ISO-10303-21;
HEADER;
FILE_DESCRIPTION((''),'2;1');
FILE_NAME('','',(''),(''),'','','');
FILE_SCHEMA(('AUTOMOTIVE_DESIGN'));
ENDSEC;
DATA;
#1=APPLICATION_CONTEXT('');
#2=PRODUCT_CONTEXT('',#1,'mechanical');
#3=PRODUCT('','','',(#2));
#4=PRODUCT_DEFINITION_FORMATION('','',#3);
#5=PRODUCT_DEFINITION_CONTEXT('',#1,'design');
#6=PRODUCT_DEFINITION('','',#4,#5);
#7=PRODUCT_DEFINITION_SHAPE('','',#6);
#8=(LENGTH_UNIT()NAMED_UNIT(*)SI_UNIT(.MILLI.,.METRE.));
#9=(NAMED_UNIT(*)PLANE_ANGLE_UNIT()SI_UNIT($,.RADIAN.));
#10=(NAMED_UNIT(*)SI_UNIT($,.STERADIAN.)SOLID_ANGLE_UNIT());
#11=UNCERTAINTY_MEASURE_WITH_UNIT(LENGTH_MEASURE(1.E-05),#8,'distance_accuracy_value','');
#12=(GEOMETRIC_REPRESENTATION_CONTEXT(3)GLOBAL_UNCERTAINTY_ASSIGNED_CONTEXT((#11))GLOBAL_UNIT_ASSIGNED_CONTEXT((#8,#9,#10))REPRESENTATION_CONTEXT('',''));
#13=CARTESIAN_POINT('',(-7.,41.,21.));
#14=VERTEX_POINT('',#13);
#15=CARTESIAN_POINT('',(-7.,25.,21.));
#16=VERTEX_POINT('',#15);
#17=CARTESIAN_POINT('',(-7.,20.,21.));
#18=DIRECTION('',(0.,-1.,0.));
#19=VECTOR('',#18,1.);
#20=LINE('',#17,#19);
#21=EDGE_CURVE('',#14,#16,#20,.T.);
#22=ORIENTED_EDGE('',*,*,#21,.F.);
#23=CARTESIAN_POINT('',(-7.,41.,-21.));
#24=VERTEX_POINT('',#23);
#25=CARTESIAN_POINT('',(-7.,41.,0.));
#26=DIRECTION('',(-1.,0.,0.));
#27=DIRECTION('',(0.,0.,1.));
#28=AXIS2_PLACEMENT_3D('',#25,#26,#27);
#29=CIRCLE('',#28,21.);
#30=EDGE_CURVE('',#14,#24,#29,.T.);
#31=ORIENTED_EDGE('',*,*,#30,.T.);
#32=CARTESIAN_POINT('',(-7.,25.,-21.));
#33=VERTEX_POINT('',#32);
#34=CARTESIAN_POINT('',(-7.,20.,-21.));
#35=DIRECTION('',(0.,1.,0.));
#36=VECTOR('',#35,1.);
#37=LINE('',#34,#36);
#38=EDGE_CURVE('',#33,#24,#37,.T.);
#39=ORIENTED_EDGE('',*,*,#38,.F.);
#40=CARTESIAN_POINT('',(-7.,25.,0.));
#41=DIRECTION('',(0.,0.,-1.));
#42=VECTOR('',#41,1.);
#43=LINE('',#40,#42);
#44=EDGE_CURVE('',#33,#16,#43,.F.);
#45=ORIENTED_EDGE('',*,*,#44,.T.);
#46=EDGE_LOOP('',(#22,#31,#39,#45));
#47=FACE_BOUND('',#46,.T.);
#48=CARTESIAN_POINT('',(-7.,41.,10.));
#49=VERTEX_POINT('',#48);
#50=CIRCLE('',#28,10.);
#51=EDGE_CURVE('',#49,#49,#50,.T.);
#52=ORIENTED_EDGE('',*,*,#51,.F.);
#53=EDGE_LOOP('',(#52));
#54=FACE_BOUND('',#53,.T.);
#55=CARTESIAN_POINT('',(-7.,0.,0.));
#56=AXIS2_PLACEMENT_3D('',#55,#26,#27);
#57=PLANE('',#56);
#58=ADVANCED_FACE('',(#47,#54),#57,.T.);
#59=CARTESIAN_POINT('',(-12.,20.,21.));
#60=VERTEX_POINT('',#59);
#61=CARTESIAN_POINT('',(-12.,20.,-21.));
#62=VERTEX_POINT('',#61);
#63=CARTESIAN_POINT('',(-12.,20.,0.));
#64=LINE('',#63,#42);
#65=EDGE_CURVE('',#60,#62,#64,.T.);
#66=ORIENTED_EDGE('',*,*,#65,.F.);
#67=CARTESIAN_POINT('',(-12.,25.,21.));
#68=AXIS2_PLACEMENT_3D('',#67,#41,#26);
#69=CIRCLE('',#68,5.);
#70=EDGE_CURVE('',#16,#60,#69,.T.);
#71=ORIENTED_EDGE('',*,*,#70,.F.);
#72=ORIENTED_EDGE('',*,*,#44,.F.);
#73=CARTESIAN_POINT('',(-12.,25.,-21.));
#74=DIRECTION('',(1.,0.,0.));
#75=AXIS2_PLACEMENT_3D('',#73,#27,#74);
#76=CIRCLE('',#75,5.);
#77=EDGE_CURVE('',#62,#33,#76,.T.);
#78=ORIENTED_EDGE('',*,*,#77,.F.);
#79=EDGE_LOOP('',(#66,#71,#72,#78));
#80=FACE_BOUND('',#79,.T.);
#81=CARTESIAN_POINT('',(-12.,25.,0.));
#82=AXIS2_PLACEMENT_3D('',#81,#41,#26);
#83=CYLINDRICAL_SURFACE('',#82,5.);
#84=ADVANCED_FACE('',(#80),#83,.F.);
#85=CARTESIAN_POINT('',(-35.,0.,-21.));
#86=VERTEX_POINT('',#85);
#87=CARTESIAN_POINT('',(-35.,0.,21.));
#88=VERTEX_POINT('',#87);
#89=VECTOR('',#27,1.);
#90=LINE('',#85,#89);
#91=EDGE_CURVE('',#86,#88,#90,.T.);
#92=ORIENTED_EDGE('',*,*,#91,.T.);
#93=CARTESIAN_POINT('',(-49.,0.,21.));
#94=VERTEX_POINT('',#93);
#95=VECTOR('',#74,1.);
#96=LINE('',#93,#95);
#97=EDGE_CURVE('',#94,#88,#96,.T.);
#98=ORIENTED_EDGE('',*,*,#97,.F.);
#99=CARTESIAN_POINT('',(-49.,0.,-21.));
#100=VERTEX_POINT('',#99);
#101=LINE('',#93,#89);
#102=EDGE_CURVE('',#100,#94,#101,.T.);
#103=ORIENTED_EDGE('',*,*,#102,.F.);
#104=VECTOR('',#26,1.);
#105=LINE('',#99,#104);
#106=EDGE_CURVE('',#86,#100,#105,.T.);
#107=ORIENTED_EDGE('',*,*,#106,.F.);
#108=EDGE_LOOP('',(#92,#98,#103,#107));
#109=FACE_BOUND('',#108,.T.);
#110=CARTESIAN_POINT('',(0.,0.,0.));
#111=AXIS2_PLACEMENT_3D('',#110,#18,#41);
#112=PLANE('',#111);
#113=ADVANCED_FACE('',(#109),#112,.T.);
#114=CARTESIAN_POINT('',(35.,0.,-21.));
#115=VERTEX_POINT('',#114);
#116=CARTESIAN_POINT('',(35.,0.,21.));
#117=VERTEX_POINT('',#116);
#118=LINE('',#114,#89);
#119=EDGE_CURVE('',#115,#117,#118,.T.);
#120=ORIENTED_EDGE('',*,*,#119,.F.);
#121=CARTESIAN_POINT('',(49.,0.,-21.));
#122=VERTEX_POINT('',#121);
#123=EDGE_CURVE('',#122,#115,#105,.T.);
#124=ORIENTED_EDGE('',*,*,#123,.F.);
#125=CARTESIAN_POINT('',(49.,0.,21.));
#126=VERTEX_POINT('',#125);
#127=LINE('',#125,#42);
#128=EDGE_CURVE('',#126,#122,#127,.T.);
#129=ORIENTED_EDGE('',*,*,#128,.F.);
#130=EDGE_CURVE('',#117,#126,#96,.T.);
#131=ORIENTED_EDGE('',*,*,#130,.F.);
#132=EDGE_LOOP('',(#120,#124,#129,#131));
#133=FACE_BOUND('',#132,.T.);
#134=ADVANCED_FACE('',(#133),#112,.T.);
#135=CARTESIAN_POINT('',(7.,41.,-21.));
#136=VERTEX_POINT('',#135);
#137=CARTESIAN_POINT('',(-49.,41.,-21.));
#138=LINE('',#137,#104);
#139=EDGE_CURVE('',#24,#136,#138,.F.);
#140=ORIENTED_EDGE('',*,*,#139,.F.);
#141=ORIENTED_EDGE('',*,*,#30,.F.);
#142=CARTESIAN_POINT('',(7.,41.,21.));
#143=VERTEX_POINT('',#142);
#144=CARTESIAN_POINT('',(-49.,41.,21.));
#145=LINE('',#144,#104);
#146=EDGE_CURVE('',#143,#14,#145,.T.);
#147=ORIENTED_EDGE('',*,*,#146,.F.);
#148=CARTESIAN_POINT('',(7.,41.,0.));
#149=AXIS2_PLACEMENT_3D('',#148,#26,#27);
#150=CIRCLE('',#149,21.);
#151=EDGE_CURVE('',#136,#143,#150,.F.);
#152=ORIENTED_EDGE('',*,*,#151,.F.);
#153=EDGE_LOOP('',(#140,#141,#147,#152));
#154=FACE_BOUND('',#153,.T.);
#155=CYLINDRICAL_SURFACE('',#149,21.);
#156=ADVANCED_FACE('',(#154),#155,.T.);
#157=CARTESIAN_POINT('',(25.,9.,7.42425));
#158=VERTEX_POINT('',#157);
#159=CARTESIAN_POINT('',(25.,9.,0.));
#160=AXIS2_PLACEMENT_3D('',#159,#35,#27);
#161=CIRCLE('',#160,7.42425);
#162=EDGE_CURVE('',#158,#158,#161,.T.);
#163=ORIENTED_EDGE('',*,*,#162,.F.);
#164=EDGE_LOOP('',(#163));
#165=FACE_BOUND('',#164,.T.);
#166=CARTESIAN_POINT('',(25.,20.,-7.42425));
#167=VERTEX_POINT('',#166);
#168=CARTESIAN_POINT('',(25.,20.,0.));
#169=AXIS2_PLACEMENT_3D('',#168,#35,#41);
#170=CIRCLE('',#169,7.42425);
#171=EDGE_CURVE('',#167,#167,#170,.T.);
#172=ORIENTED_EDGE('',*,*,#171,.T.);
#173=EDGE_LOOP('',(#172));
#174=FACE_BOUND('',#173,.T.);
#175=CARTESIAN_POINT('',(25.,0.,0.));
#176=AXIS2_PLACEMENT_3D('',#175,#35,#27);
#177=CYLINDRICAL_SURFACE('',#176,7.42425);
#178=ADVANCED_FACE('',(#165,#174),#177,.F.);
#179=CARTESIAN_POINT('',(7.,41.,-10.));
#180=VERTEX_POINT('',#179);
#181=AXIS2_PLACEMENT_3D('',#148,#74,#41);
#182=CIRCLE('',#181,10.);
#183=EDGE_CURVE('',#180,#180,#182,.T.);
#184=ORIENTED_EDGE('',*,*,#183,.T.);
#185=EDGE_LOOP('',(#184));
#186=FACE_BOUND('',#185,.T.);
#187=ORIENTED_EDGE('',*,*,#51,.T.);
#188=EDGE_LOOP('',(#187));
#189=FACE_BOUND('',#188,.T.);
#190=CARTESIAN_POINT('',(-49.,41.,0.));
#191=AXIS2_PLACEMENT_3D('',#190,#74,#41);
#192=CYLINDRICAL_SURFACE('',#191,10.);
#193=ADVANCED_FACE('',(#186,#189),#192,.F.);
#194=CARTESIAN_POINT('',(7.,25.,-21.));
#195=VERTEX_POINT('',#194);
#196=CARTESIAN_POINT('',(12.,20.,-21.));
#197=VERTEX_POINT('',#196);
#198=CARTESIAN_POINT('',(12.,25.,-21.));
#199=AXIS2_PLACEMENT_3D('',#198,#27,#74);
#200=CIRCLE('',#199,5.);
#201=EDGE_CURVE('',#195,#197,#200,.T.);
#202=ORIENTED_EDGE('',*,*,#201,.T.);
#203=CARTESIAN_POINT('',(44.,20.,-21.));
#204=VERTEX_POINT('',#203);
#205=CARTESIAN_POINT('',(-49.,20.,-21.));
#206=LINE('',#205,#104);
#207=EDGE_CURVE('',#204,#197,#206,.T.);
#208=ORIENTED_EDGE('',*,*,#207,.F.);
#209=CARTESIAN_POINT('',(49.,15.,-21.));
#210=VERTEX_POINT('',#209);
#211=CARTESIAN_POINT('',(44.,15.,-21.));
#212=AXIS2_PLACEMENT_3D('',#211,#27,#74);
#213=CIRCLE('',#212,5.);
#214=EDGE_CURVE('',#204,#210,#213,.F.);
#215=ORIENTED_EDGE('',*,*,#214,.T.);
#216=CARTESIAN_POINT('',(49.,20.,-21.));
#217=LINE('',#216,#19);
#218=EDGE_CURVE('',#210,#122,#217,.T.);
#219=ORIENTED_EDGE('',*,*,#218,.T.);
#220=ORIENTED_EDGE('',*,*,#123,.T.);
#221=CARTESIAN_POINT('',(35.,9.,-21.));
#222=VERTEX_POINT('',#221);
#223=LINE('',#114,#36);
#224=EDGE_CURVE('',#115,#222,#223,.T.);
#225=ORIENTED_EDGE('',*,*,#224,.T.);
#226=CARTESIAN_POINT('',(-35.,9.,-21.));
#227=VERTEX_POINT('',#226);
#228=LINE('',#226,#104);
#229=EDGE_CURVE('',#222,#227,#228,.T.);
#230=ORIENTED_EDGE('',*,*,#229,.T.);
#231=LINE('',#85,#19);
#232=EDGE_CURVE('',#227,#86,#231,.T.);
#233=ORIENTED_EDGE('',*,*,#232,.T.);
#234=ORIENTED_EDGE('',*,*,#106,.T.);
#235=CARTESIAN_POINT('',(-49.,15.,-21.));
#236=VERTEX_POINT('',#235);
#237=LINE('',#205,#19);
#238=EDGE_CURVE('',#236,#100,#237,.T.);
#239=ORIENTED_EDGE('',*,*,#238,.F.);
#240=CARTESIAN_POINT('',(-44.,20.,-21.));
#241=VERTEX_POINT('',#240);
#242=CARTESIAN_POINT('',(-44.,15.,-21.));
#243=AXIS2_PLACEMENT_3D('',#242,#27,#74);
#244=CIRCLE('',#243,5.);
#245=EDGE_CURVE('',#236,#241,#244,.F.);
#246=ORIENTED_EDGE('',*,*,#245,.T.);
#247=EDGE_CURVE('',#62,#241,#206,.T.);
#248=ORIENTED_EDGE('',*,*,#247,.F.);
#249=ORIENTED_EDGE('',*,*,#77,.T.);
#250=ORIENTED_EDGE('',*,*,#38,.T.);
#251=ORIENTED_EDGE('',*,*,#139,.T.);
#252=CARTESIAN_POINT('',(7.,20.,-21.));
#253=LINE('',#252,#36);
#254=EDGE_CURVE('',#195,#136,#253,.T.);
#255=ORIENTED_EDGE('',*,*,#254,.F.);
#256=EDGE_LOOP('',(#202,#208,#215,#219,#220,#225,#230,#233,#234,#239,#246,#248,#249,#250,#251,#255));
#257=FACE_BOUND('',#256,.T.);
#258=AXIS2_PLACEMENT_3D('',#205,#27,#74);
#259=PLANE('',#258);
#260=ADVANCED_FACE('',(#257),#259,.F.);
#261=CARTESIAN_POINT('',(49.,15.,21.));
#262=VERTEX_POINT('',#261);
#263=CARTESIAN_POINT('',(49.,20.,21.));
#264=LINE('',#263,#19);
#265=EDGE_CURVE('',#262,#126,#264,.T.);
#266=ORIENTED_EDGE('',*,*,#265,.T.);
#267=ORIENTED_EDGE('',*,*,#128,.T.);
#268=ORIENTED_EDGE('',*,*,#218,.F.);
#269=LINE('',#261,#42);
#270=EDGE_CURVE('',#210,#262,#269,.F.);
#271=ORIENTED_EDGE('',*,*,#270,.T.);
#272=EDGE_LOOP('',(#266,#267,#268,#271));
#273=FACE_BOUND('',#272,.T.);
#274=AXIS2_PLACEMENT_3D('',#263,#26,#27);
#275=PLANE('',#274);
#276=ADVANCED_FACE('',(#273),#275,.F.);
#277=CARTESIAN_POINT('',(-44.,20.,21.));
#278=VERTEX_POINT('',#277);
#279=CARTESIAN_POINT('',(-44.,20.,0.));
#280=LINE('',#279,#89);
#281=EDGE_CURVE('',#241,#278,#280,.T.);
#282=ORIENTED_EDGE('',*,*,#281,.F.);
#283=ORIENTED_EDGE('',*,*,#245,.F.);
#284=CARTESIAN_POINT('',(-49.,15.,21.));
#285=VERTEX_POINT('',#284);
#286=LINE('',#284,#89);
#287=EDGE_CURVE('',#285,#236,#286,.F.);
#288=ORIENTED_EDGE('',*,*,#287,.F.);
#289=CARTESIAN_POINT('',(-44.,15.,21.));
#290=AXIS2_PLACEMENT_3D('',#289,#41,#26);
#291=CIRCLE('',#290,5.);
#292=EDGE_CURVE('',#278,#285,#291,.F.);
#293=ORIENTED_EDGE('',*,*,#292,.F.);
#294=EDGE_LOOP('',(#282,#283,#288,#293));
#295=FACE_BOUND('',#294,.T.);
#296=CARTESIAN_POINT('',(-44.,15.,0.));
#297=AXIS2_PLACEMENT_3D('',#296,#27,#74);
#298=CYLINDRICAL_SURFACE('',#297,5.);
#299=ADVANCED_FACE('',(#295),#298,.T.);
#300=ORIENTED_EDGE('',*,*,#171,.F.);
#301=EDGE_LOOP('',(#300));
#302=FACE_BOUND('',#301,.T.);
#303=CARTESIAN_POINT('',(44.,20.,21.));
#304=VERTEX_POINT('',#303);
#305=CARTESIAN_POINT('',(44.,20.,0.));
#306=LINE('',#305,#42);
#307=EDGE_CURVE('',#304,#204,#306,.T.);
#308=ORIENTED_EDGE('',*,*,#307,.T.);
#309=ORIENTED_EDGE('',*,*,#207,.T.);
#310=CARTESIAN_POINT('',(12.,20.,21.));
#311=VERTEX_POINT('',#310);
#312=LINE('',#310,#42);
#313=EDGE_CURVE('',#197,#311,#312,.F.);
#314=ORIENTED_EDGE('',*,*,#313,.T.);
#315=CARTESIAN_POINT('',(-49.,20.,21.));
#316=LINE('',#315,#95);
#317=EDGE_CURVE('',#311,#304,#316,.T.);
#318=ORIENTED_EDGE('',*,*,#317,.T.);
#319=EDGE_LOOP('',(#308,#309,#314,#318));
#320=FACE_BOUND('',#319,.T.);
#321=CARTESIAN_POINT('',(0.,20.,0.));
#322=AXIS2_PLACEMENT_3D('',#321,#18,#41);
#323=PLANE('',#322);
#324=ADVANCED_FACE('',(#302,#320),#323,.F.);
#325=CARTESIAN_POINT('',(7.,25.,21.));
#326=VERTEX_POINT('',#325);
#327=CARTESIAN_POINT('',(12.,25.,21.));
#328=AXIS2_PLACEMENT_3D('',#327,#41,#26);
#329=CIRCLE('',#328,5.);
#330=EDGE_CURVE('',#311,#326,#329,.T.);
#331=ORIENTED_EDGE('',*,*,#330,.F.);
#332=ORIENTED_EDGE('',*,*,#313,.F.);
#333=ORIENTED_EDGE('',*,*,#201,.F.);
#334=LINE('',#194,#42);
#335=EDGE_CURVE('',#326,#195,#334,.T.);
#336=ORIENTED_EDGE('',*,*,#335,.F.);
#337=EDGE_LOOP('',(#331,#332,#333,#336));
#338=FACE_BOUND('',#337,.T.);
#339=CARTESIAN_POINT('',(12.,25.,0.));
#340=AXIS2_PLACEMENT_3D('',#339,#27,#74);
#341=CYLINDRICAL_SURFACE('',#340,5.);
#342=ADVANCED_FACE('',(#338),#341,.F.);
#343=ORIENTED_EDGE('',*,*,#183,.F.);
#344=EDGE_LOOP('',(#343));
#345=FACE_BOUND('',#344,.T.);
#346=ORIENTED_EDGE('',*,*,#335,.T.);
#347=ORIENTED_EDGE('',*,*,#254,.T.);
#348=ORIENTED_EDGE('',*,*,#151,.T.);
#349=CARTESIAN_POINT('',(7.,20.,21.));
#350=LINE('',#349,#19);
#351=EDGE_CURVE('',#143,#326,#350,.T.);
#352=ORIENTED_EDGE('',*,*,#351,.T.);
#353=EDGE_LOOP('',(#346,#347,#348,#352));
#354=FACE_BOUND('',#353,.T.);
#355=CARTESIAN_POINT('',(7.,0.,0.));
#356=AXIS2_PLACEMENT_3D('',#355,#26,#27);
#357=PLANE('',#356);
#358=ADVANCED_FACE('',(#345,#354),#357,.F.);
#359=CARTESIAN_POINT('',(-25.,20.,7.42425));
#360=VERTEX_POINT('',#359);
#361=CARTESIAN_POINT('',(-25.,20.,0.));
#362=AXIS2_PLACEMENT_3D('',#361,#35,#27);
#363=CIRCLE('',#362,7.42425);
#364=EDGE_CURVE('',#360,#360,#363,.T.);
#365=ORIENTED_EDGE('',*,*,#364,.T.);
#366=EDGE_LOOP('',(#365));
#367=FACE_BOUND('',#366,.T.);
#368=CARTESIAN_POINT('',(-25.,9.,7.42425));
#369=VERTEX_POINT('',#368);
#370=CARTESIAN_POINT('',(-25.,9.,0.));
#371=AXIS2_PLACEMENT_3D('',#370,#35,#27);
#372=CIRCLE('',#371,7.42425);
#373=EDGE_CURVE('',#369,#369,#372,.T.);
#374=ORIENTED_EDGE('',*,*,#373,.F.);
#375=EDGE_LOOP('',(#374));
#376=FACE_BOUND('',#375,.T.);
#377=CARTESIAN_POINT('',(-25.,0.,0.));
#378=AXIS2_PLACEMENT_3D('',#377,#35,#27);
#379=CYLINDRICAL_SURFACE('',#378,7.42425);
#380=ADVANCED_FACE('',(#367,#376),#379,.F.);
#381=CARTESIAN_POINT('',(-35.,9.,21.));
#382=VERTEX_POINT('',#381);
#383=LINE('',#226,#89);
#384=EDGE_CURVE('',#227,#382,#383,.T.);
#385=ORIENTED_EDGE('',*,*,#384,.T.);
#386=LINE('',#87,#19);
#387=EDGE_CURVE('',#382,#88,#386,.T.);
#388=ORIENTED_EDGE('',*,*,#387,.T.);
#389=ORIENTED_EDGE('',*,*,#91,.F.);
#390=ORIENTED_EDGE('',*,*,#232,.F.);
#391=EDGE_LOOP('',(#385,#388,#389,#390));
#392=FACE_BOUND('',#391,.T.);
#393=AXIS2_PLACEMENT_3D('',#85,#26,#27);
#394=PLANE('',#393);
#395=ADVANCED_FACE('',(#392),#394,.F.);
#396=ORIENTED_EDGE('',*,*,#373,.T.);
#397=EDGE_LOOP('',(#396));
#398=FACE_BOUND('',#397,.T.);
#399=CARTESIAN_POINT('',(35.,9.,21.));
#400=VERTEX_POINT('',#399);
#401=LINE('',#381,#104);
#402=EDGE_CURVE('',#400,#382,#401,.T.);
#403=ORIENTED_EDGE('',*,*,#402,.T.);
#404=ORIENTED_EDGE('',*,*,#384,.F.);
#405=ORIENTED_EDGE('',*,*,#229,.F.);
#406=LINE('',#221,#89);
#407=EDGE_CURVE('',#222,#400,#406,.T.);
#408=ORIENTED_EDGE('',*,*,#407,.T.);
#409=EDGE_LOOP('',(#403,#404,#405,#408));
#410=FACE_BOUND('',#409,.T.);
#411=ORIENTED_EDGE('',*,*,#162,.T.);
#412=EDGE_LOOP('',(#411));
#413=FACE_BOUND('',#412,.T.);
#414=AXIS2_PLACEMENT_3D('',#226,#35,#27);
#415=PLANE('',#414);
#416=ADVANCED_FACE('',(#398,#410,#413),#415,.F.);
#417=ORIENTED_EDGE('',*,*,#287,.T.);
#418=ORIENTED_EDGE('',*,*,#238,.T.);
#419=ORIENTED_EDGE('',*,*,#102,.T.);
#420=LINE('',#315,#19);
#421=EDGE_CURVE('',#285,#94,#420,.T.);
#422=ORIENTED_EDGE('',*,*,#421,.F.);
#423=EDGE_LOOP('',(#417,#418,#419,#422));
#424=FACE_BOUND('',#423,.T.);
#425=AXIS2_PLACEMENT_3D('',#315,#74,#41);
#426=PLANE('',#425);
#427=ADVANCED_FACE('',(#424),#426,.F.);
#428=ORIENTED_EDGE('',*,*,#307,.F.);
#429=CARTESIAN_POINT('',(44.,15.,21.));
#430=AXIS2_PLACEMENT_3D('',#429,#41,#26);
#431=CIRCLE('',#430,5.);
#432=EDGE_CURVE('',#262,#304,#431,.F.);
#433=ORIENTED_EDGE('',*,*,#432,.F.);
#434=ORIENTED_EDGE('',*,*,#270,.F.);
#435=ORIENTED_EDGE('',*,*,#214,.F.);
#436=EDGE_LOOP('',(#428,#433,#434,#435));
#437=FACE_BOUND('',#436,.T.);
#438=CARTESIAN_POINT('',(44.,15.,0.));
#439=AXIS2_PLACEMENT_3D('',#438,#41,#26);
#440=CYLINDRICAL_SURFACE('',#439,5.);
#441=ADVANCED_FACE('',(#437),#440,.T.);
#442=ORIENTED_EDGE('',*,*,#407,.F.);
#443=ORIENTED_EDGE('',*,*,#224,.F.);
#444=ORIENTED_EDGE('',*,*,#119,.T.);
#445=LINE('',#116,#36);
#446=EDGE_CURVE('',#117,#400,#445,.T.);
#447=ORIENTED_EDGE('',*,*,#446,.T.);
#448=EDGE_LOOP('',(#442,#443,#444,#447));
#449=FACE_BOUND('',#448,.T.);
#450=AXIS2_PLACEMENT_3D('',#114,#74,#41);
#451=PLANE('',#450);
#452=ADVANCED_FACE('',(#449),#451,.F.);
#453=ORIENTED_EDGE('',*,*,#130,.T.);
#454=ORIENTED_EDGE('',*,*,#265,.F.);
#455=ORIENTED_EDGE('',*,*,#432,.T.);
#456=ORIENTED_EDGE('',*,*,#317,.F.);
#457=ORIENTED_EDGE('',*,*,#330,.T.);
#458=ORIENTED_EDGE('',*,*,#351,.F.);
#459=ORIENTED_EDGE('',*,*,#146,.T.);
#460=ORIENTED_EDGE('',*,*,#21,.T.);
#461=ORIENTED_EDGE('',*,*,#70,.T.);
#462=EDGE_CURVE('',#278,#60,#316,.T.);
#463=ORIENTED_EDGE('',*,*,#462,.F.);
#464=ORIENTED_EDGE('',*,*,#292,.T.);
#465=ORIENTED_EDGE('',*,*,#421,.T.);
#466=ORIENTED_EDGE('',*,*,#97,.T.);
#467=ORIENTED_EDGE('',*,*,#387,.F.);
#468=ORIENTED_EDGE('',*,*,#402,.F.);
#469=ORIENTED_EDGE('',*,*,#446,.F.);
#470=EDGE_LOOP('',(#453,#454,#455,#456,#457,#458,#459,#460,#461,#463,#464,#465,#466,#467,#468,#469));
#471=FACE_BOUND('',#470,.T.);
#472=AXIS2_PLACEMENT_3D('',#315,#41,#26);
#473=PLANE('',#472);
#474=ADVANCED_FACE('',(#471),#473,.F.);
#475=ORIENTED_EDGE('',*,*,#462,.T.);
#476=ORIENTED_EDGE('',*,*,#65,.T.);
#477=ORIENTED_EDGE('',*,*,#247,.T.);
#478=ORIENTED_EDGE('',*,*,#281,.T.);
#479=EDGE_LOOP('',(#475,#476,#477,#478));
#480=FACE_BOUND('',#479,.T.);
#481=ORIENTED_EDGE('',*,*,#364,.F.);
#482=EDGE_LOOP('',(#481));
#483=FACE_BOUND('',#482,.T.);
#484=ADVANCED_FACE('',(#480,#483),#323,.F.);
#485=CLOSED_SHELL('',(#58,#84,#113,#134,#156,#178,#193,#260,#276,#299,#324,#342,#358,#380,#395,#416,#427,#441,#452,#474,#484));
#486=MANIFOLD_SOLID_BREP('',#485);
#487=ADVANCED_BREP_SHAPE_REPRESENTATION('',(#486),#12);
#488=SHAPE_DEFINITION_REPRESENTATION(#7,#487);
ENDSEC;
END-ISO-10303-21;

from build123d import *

# Parameters (mm, degrees)
SKETCH1_W           = 98
SKETCH1_H           = 42
BOSS_EXTRUDE1_DEPTH = 20
SKETCH2_W           = 70
SKETCH2_H           = 9
CUT_EXTRUDE1_DEPTH  = 68.564783726
SKETCH3_W           = 42
SKETCH3_H           = 42
BOSS_EXTRUDE2_DEPTH = 7
FILLET1_RADIUS      = 21
FILLET1_LENGTH      = 14
SKETCH4_R           = 10
CUT_EXTRUDE2_DEPTH  = 87.145226217
SKETCH5_R           = 7.424250223
CUT_EXTRUDE5_DEPTH  = 68.867518004
FILLET2_R           = 5


with BuildPart() as part:
    # Sketch1 → Boss-Extrude1 (new body)
    with BuildSketch(Plane(origin=(0, 0, 0), x_dir=(1, 0, 0), z_dir=(0, 1, 0))):
        Rectangle(SKETCH1_W, SKETCH1_H)
    extrude(amount=BOSS_EXTRUDE1_DEPTH)

    # Sketch2 → Cut-Extrude1 (cut, through all)
    with BuildSketch(Plane.XY.offset(21)):
        with Locations((0, 4.5)):
            Rectangle(SKETCH2_W, SKETCH2_H)
    extrude(amount=-CUT_EXTRUDE1_DEPTH, mode=Mode.SUBTRACT)

    # Sketch3 → Boss-Extrude2 (add, symmetric)
    with BuildSketch(Plane(origin=(0, 0, 0), x_dir=(0, 0, -1), z_dir=(1, 0, 0))):
        with Locations((0, 41)):
            Rectangle(SKETCH3_W, SKETCH3_H)
    extrude(amount=BOSS_EXTRUDE2_DEPTH, both=True)

    # Fillet1: full round fillet: the end face becomes a half cylinder, R = half its width
    fillet1_face = Plane((0, 62, 0), x_dir=(1, 0, 0), z_dir=(0, 1, 0))  # on the end face: x along it, z out of the body
    fillet1_slab = fillet1_face.offset(-FILLET1_RADIUS / 2) * Box(FILLET1_LENGTH, 2 * FILLET1_RADIUS, FILLET1_RADIUS, mode=Mode.PRIVATE)  # the body's end, R deep
    fillet1_round = Plane((0, 41, 0), x_dir=(0, 1, 0), z_dir=(1, 0, 0)) * Cylinder(FILLET1_RADIUS, FILLET1_LENGTH, mode=Mode.PRIVATE)  # its axis R under the face
    add(fillet1_slab - fillet1_round, mode=Mode.SUBTRACT)

    # Sketch4 → Cut-Extrude2 (cut, through all)
    with BuildSketch(Plane(origin=(7, 0, 0), x_dir=(0, 0, -1), z_dir=(1, 0, 0))):
        with Locations((0, 41)):
            Circle(SKETCH4_R)
    extrude(amount=-CUT_EXTRUDE2_DEPTH, mode=Mode.SUBTRACT)

    # Sketch5 → Cut-Extrude5 (cut, through all)
    with BuildSketch(Plane(origin=(0, 20, 0), x_dir=(1, 0, 0), z_dir=(0, 1, 0))):
        with Locations(Location((-25, 0, 0), (0, 0, 270))):
            Circle(SKETCH5_R)
        with Locations(Location((25, 0, 0), (0, 0, 270))):
            Circle(SKETCH5_R)
    extrude(amount=-CUT_EXTRUDE5_DEPTH, mode=Mode.SUBTRACT)

    # Fillet2
    fillet2_edges = [part.edges().sort_by_distance(p)[0] for p in [
        (-49, 20, 0),
        (-7, 20, 0),
        (7, 20, 0),
        (49, 20, 0),
    ]]
    fillet(fillet2_edges, radius=FILLET2_R)


solid = part.part
